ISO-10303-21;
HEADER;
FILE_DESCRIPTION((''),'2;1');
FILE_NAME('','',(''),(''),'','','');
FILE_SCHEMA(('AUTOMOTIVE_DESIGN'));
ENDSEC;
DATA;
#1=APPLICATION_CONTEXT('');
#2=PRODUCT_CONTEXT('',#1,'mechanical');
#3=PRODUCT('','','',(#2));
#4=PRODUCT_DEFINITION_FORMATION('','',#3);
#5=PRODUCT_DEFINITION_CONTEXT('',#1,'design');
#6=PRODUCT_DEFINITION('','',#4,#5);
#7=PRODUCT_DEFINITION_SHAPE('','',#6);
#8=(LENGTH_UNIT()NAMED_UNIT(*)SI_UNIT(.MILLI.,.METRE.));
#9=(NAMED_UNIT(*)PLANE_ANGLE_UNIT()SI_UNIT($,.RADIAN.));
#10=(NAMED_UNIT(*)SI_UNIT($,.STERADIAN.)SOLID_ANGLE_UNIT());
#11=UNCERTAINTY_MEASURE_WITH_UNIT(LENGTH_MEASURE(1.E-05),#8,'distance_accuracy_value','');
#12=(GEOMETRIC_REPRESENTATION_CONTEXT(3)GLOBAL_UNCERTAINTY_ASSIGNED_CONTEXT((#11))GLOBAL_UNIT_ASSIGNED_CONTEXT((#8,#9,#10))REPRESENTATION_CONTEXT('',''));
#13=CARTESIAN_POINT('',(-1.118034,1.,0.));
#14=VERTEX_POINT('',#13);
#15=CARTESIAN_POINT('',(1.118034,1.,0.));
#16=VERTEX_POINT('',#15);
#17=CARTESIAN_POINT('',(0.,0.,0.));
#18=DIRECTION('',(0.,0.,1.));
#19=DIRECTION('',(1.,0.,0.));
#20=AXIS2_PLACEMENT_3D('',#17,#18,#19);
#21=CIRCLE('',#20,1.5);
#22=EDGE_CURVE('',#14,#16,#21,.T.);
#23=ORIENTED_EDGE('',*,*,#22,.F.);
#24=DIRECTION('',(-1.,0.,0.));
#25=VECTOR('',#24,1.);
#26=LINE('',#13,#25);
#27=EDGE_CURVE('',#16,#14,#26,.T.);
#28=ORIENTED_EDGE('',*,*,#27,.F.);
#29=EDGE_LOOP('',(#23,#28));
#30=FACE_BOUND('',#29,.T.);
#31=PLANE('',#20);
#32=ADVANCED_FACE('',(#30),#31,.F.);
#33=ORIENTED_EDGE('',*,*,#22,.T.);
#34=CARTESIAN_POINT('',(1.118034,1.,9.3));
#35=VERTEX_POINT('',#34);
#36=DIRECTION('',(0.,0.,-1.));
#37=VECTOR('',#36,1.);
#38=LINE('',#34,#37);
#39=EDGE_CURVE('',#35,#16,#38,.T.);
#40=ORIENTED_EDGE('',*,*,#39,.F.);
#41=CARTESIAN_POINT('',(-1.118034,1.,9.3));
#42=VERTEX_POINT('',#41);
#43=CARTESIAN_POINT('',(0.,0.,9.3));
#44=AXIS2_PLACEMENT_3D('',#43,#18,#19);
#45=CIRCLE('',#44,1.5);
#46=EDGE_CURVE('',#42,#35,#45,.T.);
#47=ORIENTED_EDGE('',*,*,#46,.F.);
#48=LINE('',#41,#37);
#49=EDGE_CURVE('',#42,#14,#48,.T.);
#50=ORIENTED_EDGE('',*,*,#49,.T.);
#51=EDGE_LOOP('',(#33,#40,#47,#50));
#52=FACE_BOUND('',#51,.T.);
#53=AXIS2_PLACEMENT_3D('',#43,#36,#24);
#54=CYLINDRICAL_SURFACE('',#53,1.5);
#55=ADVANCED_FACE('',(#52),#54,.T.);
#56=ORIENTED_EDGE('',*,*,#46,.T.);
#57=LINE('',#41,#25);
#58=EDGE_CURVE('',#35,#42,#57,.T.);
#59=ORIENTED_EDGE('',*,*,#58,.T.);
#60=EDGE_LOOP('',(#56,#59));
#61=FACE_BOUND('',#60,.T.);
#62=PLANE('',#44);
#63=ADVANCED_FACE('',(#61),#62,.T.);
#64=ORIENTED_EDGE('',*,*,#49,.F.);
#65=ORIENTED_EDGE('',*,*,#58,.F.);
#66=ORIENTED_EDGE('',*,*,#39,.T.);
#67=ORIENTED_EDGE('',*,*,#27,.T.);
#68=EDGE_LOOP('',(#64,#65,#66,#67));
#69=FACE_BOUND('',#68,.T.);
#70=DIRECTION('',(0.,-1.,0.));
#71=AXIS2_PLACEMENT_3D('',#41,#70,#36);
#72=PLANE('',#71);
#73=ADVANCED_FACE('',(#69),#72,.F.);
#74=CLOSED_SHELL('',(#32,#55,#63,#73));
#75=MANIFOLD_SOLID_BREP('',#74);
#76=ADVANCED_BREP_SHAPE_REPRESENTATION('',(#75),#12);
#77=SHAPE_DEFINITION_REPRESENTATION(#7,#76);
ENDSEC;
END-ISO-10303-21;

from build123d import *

# Parameters (mm, degrees)
BOSS_EXTRUDE1_DEPTH = 9.3


with BuildPart() as part:
    # Sketch1 → Boss-Extrude1 (new body)
    with BuildSketch(Plane.XY):
        with BuildLine():
            Line((-1.118033989, 1), (1.118033989, 1))
            ThreePointArc((1.118033989, 1), (0, -1.5), (-1.118033989, 1))
        make_face()
    extrude(amount=BOSS_EXTRUDE1_DEPTH)


solid = part.part
